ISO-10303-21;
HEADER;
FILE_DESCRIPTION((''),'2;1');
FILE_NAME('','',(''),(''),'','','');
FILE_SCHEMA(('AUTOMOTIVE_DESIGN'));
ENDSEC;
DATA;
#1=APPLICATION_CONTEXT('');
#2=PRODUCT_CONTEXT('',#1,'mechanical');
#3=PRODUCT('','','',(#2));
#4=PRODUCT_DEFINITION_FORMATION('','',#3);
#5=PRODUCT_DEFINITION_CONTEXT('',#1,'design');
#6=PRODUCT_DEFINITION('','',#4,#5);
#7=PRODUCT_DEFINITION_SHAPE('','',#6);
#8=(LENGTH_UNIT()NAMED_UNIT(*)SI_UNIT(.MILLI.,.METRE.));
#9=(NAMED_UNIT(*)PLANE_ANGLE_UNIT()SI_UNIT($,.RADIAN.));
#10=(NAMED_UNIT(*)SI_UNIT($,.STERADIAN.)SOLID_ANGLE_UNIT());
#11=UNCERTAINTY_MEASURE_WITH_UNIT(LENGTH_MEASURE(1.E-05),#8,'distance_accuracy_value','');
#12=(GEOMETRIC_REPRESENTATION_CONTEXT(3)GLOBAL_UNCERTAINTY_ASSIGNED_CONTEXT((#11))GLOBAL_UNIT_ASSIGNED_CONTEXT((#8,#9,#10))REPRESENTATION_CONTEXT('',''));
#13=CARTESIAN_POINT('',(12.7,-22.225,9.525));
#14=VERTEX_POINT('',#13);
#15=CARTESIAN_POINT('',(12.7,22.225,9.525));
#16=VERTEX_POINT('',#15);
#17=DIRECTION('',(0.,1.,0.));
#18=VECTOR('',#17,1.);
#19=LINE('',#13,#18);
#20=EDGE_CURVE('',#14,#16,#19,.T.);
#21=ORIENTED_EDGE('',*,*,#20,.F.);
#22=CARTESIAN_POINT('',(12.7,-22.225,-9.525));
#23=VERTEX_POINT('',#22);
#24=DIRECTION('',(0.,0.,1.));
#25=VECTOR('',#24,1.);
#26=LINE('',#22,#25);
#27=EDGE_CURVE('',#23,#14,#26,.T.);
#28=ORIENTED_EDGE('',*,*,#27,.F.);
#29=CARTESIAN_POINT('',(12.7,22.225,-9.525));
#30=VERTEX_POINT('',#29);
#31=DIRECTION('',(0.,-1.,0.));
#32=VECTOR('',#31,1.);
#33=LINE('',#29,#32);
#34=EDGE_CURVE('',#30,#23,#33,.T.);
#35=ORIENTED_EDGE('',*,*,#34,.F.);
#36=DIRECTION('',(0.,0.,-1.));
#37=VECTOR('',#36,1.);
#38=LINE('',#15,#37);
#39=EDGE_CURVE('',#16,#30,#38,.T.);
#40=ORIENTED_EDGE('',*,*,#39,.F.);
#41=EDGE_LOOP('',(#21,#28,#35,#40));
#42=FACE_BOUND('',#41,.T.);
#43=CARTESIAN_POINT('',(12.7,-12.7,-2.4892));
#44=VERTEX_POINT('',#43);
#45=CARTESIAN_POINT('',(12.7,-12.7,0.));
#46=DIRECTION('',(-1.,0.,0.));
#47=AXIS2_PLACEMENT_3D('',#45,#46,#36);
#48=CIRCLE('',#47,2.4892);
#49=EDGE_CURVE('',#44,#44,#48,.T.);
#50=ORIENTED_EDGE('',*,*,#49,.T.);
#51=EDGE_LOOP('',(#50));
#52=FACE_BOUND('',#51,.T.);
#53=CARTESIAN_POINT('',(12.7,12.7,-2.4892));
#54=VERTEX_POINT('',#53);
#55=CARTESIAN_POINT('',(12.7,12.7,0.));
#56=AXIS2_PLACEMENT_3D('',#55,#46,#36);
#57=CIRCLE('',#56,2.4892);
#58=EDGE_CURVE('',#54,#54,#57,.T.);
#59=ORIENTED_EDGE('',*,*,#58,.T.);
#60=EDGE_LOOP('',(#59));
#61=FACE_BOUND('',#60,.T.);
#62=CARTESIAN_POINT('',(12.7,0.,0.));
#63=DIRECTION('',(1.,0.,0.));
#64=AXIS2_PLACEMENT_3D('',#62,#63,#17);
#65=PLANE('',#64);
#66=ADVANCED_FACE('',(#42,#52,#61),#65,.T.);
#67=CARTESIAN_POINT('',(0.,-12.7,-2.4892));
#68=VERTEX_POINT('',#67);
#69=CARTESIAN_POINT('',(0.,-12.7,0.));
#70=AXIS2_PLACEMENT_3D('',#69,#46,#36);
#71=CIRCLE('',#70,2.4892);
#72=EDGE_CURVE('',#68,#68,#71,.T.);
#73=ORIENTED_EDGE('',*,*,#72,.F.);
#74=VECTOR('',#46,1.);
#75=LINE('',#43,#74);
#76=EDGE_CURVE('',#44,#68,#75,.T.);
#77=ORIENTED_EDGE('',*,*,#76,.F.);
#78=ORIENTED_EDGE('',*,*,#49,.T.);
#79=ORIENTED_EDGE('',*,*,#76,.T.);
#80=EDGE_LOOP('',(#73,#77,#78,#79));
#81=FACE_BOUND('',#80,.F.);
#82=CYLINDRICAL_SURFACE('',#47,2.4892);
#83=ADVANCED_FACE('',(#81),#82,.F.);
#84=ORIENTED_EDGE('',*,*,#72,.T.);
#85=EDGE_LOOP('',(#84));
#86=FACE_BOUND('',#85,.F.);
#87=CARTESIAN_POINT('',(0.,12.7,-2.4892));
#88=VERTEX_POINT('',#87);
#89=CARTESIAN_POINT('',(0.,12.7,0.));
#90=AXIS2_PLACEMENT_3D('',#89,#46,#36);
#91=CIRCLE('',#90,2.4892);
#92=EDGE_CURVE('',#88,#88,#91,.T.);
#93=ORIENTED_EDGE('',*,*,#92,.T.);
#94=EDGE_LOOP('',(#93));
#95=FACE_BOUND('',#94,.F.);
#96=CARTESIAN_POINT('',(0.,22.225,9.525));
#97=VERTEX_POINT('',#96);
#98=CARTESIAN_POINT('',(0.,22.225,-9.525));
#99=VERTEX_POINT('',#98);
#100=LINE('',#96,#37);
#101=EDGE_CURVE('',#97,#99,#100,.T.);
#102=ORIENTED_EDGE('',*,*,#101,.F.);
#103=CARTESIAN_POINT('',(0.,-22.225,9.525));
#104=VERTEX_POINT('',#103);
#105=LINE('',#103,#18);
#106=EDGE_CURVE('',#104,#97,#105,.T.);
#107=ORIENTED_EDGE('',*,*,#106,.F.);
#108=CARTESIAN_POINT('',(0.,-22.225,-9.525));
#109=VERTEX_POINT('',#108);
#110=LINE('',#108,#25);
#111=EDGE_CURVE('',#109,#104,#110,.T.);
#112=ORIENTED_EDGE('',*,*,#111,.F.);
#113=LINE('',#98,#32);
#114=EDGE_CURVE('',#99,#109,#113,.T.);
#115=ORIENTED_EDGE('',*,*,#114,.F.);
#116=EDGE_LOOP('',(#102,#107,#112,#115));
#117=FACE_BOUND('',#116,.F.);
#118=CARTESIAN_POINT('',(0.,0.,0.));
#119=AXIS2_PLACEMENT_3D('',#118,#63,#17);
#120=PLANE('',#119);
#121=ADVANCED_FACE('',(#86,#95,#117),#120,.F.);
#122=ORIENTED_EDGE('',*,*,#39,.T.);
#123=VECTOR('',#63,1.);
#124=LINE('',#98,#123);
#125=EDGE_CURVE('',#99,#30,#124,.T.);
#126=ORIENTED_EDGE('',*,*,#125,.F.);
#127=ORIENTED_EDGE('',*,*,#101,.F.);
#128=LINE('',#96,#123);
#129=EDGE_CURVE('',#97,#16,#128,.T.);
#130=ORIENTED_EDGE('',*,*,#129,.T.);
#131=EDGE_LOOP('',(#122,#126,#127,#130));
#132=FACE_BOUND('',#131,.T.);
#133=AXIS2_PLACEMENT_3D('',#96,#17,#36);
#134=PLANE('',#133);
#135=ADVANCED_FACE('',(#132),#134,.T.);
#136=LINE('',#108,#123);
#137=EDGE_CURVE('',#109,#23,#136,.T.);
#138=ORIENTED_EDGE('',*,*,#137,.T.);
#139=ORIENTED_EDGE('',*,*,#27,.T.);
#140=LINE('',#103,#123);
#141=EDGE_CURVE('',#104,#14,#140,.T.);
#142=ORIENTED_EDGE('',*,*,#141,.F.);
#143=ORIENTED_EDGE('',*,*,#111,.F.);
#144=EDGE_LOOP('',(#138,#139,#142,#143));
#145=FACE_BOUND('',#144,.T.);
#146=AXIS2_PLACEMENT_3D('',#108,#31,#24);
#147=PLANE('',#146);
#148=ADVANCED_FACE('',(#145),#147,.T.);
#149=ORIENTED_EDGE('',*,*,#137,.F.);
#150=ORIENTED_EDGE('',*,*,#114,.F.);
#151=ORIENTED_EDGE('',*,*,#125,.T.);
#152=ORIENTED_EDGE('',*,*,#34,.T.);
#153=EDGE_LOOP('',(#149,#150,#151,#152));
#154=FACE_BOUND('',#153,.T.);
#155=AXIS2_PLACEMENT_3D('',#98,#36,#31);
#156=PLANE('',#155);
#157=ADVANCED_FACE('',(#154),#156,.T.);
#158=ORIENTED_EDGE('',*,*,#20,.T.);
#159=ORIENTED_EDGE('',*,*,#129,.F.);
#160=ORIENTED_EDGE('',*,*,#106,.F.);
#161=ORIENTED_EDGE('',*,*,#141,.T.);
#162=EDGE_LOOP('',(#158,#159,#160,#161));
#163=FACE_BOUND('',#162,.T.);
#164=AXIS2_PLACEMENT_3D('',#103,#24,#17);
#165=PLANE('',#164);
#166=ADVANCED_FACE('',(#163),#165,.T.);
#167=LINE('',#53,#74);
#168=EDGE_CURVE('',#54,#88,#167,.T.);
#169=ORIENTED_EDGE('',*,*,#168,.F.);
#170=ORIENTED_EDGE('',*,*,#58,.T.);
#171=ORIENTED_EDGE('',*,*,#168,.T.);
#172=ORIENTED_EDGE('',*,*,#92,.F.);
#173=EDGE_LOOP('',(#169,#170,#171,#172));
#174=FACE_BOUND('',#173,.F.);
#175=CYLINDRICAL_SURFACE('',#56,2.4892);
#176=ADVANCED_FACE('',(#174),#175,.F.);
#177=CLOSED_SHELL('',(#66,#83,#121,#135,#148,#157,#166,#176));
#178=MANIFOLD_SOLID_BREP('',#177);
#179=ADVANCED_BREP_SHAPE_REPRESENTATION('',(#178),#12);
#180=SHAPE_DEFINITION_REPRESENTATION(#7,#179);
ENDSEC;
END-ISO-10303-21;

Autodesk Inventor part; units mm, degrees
ref_plane "YZ Plane" through (0, 0, 0) normal (1, 0, 0) x (0, 1, 0)
ref_plane "XZ Plane" through (0, 0, 0) normal (0, 1, 0) x (-1, 0, 0)
ref_plane "XY Plane" through (0, 0, 0) normal (0, 0, 1) x (1, 0, 0)
sketch "Sketch1" plane through (0, 0, 0) normal (1, 0, 0) x (0, 1, 0)
  line L0 (-22.225, 9.525) -> (22.225, 9.525)
  line L1 (22.225, 9.525) -> (22.225, -9.525)
  line L2 (22.225, -9.525) -> (-22.225, -9.525)
  line L3 (-22.225, -9.525) -> (-22.225, 9.525)
  line L4 (-22.225, 9.525) -> (22.225, -9.525) construction
  line L5 (22.225, 9.525) -> (-22.225, -9.525) construction
  point P0 (0, 0)
  dimension "d0" = 44.45
  dimension "d1" = 19.05
extrude "Extrusion1" add sketch "Sketch1" along normal blind 12.7
sketch "Sketch2" plane through (12.7, 0, 0) normal (1, 0, 0) x (0, 0, -1)
  circle A0 centre (0, 12.7) radius 3.3782
  circle A1 centre (0, -12.7) radius 3.3782
  line L0 (-660.4, 0) -> (-660.4, 41.275)
  line L1 (-9.525, 22.225) -> (-9.525, -22.225) projected
  line L2 (-12.7, 22.225) -> (-12.7, -22.225)
  point P0 (0, 0)
  dimension "d4" = 3.175
  dimension "d5" = 12.7
hole "Hole1" at (12.7, 12.7, 0) at (12.7, -12.7, 0) direction (-1, 0, 0) diameter 4.9784 end through all thread size "1/4-20 UNC" class "2B" standard "ANSI Unified Screw Threads"
properties part number "Threaded Block" material "Aluminum 6061"
